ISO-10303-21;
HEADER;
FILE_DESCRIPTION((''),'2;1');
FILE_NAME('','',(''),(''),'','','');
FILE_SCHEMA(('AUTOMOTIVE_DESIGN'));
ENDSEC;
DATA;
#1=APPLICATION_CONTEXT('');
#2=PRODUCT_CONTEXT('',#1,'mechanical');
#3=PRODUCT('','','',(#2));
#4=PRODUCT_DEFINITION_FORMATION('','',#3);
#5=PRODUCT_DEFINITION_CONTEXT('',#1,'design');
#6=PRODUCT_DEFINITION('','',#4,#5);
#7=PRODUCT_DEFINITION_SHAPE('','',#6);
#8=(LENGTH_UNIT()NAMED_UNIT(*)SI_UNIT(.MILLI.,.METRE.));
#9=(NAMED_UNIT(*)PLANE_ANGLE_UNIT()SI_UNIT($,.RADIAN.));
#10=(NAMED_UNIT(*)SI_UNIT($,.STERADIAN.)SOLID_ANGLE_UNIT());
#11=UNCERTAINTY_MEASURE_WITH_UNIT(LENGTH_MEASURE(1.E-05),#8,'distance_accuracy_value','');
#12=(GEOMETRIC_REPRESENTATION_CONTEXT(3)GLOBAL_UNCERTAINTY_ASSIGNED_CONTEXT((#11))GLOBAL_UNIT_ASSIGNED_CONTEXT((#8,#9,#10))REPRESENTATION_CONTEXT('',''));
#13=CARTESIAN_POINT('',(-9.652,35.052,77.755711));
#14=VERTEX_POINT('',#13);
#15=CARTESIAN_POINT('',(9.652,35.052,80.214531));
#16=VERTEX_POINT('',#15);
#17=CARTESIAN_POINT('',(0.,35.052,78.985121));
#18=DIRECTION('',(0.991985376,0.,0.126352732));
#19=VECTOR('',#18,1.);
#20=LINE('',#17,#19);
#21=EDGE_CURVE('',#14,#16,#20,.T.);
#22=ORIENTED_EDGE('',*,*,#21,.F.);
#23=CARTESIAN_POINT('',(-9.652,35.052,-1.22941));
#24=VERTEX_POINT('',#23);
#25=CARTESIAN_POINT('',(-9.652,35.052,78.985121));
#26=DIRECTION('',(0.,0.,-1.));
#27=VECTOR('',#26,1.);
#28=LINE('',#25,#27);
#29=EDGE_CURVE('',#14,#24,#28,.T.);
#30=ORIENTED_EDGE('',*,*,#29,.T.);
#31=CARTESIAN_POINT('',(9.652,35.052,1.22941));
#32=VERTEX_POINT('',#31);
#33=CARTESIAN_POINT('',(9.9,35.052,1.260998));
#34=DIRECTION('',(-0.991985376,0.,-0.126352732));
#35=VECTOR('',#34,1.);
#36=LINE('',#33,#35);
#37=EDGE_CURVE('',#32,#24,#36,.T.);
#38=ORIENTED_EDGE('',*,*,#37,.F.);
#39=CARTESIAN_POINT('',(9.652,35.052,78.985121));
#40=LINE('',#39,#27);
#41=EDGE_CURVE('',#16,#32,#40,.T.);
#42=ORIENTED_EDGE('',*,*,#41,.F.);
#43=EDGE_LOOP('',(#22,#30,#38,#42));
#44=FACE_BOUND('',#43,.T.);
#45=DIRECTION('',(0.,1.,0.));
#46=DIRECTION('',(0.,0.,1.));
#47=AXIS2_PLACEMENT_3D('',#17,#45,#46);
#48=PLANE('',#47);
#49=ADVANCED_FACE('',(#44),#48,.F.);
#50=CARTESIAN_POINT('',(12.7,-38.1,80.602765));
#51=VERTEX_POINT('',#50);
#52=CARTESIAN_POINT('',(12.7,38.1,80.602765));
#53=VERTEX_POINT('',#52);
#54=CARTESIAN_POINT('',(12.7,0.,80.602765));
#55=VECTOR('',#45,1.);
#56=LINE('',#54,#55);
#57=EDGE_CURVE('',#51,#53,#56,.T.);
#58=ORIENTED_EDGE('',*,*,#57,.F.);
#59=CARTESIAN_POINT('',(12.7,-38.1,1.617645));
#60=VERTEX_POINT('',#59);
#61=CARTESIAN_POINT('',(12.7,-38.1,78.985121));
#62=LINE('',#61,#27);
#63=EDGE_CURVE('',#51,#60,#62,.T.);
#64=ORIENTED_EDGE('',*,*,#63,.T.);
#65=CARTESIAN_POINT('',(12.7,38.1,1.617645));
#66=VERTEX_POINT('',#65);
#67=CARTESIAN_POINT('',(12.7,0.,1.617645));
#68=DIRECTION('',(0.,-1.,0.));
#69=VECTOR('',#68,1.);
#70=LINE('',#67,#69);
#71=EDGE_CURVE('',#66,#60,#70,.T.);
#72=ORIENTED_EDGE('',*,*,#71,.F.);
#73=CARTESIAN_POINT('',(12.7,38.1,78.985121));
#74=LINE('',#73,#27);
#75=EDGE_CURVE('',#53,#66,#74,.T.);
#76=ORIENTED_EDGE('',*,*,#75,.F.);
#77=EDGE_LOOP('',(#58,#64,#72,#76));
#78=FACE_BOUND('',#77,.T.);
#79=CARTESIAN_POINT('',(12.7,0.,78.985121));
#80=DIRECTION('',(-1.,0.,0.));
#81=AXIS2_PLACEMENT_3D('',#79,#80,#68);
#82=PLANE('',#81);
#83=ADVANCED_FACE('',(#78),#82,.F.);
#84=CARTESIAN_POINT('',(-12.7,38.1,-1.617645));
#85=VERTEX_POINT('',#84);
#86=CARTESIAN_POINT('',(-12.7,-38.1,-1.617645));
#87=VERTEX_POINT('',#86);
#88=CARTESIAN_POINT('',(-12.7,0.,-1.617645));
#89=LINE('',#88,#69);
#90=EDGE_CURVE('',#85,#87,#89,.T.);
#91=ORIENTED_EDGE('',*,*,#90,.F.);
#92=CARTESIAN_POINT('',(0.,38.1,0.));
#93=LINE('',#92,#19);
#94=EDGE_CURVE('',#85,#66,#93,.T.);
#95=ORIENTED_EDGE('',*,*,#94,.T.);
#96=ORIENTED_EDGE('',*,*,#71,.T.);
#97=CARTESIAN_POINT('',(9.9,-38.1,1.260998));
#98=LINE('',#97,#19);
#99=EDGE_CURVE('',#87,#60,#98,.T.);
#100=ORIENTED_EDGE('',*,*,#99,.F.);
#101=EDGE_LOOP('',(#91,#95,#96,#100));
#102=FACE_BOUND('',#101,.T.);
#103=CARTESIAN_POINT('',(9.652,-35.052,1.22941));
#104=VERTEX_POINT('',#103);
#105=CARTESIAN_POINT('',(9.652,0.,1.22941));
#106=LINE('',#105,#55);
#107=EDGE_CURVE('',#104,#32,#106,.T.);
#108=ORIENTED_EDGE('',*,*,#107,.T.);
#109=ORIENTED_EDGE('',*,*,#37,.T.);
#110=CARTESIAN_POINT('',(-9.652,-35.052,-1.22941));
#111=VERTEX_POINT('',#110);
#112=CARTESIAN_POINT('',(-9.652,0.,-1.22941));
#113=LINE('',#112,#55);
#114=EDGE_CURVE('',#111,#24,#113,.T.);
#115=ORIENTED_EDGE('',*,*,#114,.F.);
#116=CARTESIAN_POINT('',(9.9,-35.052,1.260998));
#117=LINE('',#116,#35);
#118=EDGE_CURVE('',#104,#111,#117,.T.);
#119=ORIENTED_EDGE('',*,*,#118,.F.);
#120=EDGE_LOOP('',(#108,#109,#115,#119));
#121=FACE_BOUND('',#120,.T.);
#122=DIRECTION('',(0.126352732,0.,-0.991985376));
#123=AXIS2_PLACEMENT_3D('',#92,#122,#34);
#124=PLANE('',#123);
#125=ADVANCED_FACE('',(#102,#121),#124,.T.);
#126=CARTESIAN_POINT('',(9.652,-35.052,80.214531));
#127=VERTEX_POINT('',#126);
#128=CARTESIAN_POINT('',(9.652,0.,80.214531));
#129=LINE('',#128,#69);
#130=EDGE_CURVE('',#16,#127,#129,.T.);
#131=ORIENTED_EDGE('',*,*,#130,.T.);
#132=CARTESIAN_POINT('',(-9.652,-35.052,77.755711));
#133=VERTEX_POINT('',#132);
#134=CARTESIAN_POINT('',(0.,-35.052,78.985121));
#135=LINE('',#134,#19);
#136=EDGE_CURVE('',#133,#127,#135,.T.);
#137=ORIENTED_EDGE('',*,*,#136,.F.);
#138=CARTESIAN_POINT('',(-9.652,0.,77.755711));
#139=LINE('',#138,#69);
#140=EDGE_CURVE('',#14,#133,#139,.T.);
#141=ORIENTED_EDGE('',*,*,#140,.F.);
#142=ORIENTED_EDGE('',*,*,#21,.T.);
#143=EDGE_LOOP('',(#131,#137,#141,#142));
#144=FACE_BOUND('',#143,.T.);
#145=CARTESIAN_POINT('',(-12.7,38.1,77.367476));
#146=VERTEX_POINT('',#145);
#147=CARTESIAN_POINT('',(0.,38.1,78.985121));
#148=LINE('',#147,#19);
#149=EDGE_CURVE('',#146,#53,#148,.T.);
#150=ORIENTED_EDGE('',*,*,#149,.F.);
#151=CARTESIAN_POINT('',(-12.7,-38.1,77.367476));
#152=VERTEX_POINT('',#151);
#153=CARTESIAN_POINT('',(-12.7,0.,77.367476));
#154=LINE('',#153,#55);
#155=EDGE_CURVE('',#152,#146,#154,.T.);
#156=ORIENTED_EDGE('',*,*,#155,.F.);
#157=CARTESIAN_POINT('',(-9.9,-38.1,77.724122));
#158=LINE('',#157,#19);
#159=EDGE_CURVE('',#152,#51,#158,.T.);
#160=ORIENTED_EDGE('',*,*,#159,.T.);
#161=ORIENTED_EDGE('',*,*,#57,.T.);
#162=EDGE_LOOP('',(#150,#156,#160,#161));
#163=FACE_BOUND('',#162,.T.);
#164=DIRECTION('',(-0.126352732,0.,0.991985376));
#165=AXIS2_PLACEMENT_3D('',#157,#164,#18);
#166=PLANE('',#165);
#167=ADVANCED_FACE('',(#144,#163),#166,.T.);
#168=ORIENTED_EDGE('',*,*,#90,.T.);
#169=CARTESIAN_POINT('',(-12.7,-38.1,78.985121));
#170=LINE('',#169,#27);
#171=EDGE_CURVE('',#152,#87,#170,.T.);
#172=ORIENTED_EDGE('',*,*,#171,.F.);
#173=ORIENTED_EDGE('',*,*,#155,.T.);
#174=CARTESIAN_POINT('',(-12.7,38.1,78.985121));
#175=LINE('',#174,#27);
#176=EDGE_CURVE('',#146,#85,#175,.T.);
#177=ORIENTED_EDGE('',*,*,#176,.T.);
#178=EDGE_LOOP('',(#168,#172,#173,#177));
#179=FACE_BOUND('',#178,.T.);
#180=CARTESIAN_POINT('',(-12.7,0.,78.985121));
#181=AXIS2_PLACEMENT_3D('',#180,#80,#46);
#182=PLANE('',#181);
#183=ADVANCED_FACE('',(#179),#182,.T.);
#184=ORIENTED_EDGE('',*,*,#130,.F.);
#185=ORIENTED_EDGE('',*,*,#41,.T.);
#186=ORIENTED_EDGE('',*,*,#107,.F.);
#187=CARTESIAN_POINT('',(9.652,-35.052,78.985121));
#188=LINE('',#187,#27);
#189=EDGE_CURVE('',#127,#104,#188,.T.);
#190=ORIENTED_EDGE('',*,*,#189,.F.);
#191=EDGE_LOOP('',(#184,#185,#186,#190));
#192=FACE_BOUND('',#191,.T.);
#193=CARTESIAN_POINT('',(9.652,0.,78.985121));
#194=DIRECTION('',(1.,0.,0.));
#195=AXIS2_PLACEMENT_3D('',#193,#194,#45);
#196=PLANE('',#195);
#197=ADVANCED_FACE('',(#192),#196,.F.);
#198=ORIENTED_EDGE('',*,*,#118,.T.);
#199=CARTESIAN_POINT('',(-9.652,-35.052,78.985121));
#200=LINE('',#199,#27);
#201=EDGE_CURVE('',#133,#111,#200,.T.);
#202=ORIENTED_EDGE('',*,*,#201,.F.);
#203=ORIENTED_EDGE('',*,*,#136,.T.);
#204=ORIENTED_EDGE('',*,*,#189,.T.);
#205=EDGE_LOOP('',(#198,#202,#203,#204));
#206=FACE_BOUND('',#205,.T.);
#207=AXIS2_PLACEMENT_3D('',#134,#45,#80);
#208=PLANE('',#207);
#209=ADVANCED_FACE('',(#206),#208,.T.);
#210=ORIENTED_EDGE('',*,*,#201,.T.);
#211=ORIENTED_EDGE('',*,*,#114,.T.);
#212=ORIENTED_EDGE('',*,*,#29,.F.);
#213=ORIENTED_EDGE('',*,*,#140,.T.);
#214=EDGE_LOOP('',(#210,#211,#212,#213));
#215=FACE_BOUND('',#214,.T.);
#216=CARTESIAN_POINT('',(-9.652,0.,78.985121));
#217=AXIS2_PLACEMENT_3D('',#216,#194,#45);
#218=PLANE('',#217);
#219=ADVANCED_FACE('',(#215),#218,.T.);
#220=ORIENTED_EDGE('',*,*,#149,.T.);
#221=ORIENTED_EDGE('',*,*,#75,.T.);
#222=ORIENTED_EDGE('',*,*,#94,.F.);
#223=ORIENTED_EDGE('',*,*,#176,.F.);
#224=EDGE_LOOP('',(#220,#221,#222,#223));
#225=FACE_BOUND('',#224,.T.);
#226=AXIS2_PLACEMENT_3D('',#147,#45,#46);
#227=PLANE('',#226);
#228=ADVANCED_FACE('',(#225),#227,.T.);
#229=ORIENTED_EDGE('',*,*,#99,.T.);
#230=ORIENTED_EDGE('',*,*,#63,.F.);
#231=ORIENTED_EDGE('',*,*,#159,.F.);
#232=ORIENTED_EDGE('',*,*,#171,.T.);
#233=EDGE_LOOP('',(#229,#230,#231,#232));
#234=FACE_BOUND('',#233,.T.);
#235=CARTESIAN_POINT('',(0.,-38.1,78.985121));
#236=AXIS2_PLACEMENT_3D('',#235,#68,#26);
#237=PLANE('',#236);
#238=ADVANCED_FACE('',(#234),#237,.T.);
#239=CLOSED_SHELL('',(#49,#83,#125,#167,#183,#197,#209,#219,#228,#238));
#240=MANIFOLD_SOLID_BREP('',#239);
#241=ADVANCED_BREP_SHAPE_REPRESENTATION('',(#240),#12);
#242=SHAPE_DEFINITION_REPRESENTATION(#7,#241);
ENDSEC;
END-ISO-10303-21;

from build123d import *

# Parameters (mm, degrees)
SKETCH2_W               = 9.652
SKETCH2_H               = 3.048
SKETCH2_W_2             = 3.048
SKETCH2_H_2             = 35.052
BOSS_EXTRUDE1_DEPTH     = 78.985121
SKETCH5_W               = 25.4
SKETCH5_H               = 76.2
SKETCH5_W_2             = 19.304
SKETCH5_H_2             = 70.104
BOSS_EXTRUDE3_DEPTH     = 50
CUT_EXTRUDE1_DEPTH      = 1
CUT_EXTRUDE1_DEPTH_BACK = 77.2
SKETCH7_W               = 25.4
SKETCH7_H               = 76.2
SKETCH7_W_2             = 19.304
SKETCH7_H_2             = 70.104
BOSS_EXTRUDE4_DEPTH     = 50
CUT_EXTRUDE2_DEPTH      = 1
CUT_EXTRUDE2_DEPTH_BACK = 77.2


with BuildPart() as part:
    # Sketch2 → Boss-Extrude1 (new body)
    with BuildSketch(Plane.XY):
        Polygon((-12.7, 0), (-9.652, 0), (-9.652, 35.052), (-9.652, 38.1), (-12.7, 38.1), align=None)
        with Locations((-4.826, 36.576)):
            Rectangle(SKETCH2_W, SKETCH2_H)
        Polygon((0, 38.1), (0, 35.052), (9.652, 35.052), (9.652, 0), (12.7, 0), (12.7, 38.1), align=None)
        with Locations((11.176, -17.526)):
            Rectangle(SKETCH2_W_2, SKETCH2_H_2)
        Polygon((-9.652, -35.052), (-9.652, 0), (-12.7, 0), (-12.7, -38.1), (0, -38.1), (0, -35.052), align=None)
        Polygon((9.652, -35.052), (0, -35.052), (0, -38.1), (12.7, -38.1), (12.7, -35.052), align=None)
    extrude(amount=BOSS_EXTRUDE1_DEPTH)

    # Sketch5 → Boss-Extrude3 (add)
    with BuildSketch(Plane(origin=(0, 0, 0), x_dir=(-1, 0, 0), z_dir=(0, 0, -1))):
        Rectangle(SKETCH5_W, SKETCH5_H)
        Rectangle(SKETCH5_W_2, SKETCH5_H_2, mode=Mode.SUBTRACT)
    extrude(amount=BOSS_EXTRUDE3_DEPTH)

    # Sketch6 → Cut-Extrude1 (cut, two sides)
    with BuildSketch(Plane.XZ.offset(38.1)) as cut_extrude1_sk:
        Polygon((-12.7, -1.617644511), (-45.228253893, -5.760884774), (-37.756637, -64.41996217), (45.640291612, -53.797396519), (38.168674718, 4.861680877), (12.7, -48.058587426), (12.7, -50), (-12.7, -50), align=None)
        Polygon((0, 0), (-12.7, -1.617644511), (-12.7, -50), (12.7, -50), (12.7, -48.058587426), (12.534006261, -48.403498707), align=None)
        Polygon((38.168674718, 4.861680877), (12.7, 1.617644511), (12.7, -48.058587426), align=None)
        Polygon((12.7, 1.617644511), (0, 0), (12.534006261, -48.403498707), (12.7, -48.058587426), align=None)
    extrude(amount=CUT_EXTRUDE1_DEPTH, mode=Mode.SUBTRACT)
    extrude(cut_extrude1_sk.sketch, amount=-CUT_EXTRUDE1_DEPTH_BACK, mode=Mode.SUBTRACT)

    # Sketch7 → Boss-Extrude4 (add)
    with BuildSketch(Plane.XY.offset(78.985120912)):
        Rectangle(SKETCH7_W, SKETCH7_H)
        Rectangle(SKETCH7_W_2, SKETCH7_H_2, mode=Mode.SUBTRACT)
    extrude(amount=BOSS_EXTRUDE4_DEPTH)

    # Sketch8 → Cut-Extrude2 (cut, two sides)
    with BuildSketch(Plane(origin=(0, 38.1, 0), x_dir=(1, 0, 0), z_dir=(0, 1, 0))) as cut_extrude2_sk:
        Polygon((-12.534006261, -127.388619619), (-12.7, -126.667826545), (-12.7, -128.985120912), (12.7, -128.985120912), (12.7, -80.602765422), (0, -78.985120912), align=None)
        Polygon((-12.7, -77.367476401), (-24.396635689, -75.877633998), (-12.7, -126.667826545), align=None)
        Polygon((0, -78.985120912), (-12.7, -77.367476401), (-12.7, -126.667826545), (-12.534006261, -127.388619619), align=None)
    extrude(amount=CUT_EXTRUDE2_DEPTH, mode=Mode.SUBTRACT)
    extrude(cut_extrude2_sk.sketch, amount=-CUT_EXTRUDE2_DEPTH_BACK, mode=Mode.SUBTRACT)


solid = part.part
